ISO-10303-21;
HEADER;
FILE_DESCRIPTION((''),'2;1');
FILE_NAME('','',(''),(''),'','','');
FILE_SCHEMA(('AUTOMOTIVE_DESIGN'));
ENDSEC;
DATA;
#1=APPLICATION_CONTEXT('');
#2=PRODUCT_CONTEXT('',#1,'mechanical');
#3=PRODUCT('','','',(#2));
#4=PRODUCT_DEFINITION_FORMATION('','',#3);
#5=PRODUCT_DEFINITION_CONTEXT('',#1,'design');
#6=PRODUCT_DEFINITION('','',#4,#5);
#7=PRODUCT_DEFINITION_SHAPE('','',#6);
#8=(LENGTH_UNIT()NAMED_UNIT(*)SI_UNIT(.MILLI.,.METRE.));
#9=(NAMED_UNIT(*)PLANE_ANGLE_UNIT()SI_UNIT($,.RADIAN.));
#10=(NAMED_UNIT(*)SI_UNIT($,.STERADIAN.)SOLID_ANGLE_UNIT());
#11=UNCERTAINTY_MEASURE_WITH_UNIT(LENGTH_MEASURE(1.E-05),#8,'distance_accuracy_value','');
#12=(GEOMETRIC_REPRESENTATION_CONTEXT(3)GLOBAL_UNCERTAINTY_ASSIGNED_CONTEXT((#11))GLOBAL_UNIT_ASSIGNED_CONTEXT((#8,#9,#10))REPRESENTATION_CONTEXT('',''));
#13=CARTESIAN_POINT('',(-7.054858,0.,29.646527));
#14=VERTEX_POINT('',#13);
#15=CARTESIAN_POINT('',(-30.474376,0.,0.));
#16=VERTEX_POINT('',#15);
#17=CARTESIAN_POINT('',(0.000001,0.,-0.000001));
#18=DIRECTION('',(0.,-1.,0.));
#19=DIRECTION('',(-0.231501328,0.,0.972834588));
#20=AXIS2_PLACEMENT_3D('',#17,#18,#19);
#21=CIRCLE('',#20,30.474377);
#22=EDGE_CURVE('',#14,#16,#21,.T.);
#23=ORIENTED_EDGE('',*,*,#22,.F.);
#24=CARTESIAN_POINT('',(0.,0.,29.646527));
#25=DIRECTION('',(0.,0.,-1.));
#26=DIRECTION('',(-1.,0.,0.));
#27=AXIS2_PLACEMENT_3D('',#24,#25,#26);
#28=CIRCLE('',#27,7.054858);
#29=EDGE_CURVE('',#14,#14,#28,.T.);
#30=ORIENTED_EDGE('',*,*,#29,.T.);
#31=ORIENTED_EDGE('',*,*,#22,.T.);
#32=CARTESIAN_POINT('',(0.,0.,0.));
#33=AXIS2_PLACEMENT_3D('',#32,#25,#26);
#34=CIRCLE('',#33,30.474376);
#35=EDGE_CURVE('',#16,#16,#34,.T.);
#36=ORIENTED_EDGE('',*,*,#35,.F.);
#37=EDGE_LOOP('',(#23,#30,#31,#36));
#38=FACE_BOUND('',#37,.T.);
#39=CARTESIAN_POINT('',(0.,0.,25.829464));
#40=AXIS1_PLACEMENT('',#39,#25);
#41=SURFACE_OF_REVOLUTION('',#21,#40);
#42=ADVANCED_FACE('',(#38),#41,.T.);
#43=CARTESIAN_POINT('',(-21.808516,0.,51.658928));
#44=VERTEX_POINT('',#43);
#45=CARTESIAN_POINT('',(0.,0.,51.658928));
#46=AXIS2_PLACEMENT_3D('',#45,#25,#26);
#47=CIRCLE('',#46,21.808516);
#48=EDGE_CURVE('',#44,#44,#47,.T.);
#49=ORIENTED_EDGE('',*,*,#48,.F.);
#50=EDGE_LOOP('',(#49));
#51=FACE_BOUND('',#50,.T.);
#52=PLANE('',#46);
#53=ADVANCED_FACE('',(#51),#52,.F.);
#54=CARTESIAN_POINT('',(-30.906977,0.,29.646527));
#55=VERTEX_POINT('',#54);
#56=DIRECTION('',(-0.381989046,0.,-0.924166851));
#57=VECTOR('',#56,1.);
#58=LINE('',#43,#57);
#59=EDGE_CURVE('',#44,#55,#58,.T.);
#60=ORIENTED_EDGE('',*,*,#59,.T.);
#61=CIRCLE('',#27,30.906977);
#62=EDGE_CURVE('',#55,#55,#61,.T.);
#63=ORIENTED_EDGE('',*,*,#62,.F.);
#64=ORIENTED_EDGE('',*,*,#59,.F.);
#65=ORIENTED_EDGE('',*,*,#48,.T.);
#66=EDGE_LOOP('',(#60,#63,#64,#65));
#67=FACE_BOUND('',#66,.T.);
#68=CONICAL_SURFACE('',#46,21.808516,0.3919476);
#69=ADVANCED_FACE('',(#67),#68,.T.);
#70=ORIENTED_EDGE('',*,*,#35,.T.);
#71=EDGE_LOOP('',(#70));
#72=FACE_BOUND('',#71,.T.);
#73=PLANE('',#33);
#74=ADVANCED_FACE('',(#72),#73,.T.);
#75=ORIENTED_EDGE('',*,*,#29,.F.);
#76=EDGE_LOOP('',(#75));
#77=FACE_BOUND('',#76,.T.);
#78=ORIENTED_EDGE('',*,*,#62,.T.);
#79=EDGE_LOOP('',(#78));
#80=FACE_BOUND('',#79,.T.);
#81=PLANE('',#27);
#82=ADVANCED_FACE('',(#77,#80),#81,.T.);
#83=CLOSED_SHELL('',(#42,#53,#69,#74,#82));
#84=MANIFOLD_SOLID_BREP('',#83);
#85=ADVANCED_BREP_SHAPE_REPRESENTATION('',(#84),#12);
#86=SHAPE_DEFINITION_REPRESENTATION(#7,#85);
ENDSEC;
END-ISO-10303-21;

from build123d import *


with BuildPart() as f1:
    # F0 (on Front) → F1 (revolve)
    with BuildSketch(Plane.XZ):
        with BuildLine():
            Line((0, 51.658928), (-21.808516, 51.658928))
            Line((-21.808516, 51.658928), (-30.906977, 29.646527))
            Line((-30.906977, 29.646527), (-7.054858, 29.646527))
            ThreePointArc((-7.054858, 29.646527), (-23.913176, 18.89041), (-30.474376, 0))
            Line((-30.474376, 0), (0, 0))
            Line((0, 0), (0, 51.658928))
        make_face()
    revolve(axis=Axis((0, 0, 25.829464), (0, 0, -1)))


solid = f1.part
